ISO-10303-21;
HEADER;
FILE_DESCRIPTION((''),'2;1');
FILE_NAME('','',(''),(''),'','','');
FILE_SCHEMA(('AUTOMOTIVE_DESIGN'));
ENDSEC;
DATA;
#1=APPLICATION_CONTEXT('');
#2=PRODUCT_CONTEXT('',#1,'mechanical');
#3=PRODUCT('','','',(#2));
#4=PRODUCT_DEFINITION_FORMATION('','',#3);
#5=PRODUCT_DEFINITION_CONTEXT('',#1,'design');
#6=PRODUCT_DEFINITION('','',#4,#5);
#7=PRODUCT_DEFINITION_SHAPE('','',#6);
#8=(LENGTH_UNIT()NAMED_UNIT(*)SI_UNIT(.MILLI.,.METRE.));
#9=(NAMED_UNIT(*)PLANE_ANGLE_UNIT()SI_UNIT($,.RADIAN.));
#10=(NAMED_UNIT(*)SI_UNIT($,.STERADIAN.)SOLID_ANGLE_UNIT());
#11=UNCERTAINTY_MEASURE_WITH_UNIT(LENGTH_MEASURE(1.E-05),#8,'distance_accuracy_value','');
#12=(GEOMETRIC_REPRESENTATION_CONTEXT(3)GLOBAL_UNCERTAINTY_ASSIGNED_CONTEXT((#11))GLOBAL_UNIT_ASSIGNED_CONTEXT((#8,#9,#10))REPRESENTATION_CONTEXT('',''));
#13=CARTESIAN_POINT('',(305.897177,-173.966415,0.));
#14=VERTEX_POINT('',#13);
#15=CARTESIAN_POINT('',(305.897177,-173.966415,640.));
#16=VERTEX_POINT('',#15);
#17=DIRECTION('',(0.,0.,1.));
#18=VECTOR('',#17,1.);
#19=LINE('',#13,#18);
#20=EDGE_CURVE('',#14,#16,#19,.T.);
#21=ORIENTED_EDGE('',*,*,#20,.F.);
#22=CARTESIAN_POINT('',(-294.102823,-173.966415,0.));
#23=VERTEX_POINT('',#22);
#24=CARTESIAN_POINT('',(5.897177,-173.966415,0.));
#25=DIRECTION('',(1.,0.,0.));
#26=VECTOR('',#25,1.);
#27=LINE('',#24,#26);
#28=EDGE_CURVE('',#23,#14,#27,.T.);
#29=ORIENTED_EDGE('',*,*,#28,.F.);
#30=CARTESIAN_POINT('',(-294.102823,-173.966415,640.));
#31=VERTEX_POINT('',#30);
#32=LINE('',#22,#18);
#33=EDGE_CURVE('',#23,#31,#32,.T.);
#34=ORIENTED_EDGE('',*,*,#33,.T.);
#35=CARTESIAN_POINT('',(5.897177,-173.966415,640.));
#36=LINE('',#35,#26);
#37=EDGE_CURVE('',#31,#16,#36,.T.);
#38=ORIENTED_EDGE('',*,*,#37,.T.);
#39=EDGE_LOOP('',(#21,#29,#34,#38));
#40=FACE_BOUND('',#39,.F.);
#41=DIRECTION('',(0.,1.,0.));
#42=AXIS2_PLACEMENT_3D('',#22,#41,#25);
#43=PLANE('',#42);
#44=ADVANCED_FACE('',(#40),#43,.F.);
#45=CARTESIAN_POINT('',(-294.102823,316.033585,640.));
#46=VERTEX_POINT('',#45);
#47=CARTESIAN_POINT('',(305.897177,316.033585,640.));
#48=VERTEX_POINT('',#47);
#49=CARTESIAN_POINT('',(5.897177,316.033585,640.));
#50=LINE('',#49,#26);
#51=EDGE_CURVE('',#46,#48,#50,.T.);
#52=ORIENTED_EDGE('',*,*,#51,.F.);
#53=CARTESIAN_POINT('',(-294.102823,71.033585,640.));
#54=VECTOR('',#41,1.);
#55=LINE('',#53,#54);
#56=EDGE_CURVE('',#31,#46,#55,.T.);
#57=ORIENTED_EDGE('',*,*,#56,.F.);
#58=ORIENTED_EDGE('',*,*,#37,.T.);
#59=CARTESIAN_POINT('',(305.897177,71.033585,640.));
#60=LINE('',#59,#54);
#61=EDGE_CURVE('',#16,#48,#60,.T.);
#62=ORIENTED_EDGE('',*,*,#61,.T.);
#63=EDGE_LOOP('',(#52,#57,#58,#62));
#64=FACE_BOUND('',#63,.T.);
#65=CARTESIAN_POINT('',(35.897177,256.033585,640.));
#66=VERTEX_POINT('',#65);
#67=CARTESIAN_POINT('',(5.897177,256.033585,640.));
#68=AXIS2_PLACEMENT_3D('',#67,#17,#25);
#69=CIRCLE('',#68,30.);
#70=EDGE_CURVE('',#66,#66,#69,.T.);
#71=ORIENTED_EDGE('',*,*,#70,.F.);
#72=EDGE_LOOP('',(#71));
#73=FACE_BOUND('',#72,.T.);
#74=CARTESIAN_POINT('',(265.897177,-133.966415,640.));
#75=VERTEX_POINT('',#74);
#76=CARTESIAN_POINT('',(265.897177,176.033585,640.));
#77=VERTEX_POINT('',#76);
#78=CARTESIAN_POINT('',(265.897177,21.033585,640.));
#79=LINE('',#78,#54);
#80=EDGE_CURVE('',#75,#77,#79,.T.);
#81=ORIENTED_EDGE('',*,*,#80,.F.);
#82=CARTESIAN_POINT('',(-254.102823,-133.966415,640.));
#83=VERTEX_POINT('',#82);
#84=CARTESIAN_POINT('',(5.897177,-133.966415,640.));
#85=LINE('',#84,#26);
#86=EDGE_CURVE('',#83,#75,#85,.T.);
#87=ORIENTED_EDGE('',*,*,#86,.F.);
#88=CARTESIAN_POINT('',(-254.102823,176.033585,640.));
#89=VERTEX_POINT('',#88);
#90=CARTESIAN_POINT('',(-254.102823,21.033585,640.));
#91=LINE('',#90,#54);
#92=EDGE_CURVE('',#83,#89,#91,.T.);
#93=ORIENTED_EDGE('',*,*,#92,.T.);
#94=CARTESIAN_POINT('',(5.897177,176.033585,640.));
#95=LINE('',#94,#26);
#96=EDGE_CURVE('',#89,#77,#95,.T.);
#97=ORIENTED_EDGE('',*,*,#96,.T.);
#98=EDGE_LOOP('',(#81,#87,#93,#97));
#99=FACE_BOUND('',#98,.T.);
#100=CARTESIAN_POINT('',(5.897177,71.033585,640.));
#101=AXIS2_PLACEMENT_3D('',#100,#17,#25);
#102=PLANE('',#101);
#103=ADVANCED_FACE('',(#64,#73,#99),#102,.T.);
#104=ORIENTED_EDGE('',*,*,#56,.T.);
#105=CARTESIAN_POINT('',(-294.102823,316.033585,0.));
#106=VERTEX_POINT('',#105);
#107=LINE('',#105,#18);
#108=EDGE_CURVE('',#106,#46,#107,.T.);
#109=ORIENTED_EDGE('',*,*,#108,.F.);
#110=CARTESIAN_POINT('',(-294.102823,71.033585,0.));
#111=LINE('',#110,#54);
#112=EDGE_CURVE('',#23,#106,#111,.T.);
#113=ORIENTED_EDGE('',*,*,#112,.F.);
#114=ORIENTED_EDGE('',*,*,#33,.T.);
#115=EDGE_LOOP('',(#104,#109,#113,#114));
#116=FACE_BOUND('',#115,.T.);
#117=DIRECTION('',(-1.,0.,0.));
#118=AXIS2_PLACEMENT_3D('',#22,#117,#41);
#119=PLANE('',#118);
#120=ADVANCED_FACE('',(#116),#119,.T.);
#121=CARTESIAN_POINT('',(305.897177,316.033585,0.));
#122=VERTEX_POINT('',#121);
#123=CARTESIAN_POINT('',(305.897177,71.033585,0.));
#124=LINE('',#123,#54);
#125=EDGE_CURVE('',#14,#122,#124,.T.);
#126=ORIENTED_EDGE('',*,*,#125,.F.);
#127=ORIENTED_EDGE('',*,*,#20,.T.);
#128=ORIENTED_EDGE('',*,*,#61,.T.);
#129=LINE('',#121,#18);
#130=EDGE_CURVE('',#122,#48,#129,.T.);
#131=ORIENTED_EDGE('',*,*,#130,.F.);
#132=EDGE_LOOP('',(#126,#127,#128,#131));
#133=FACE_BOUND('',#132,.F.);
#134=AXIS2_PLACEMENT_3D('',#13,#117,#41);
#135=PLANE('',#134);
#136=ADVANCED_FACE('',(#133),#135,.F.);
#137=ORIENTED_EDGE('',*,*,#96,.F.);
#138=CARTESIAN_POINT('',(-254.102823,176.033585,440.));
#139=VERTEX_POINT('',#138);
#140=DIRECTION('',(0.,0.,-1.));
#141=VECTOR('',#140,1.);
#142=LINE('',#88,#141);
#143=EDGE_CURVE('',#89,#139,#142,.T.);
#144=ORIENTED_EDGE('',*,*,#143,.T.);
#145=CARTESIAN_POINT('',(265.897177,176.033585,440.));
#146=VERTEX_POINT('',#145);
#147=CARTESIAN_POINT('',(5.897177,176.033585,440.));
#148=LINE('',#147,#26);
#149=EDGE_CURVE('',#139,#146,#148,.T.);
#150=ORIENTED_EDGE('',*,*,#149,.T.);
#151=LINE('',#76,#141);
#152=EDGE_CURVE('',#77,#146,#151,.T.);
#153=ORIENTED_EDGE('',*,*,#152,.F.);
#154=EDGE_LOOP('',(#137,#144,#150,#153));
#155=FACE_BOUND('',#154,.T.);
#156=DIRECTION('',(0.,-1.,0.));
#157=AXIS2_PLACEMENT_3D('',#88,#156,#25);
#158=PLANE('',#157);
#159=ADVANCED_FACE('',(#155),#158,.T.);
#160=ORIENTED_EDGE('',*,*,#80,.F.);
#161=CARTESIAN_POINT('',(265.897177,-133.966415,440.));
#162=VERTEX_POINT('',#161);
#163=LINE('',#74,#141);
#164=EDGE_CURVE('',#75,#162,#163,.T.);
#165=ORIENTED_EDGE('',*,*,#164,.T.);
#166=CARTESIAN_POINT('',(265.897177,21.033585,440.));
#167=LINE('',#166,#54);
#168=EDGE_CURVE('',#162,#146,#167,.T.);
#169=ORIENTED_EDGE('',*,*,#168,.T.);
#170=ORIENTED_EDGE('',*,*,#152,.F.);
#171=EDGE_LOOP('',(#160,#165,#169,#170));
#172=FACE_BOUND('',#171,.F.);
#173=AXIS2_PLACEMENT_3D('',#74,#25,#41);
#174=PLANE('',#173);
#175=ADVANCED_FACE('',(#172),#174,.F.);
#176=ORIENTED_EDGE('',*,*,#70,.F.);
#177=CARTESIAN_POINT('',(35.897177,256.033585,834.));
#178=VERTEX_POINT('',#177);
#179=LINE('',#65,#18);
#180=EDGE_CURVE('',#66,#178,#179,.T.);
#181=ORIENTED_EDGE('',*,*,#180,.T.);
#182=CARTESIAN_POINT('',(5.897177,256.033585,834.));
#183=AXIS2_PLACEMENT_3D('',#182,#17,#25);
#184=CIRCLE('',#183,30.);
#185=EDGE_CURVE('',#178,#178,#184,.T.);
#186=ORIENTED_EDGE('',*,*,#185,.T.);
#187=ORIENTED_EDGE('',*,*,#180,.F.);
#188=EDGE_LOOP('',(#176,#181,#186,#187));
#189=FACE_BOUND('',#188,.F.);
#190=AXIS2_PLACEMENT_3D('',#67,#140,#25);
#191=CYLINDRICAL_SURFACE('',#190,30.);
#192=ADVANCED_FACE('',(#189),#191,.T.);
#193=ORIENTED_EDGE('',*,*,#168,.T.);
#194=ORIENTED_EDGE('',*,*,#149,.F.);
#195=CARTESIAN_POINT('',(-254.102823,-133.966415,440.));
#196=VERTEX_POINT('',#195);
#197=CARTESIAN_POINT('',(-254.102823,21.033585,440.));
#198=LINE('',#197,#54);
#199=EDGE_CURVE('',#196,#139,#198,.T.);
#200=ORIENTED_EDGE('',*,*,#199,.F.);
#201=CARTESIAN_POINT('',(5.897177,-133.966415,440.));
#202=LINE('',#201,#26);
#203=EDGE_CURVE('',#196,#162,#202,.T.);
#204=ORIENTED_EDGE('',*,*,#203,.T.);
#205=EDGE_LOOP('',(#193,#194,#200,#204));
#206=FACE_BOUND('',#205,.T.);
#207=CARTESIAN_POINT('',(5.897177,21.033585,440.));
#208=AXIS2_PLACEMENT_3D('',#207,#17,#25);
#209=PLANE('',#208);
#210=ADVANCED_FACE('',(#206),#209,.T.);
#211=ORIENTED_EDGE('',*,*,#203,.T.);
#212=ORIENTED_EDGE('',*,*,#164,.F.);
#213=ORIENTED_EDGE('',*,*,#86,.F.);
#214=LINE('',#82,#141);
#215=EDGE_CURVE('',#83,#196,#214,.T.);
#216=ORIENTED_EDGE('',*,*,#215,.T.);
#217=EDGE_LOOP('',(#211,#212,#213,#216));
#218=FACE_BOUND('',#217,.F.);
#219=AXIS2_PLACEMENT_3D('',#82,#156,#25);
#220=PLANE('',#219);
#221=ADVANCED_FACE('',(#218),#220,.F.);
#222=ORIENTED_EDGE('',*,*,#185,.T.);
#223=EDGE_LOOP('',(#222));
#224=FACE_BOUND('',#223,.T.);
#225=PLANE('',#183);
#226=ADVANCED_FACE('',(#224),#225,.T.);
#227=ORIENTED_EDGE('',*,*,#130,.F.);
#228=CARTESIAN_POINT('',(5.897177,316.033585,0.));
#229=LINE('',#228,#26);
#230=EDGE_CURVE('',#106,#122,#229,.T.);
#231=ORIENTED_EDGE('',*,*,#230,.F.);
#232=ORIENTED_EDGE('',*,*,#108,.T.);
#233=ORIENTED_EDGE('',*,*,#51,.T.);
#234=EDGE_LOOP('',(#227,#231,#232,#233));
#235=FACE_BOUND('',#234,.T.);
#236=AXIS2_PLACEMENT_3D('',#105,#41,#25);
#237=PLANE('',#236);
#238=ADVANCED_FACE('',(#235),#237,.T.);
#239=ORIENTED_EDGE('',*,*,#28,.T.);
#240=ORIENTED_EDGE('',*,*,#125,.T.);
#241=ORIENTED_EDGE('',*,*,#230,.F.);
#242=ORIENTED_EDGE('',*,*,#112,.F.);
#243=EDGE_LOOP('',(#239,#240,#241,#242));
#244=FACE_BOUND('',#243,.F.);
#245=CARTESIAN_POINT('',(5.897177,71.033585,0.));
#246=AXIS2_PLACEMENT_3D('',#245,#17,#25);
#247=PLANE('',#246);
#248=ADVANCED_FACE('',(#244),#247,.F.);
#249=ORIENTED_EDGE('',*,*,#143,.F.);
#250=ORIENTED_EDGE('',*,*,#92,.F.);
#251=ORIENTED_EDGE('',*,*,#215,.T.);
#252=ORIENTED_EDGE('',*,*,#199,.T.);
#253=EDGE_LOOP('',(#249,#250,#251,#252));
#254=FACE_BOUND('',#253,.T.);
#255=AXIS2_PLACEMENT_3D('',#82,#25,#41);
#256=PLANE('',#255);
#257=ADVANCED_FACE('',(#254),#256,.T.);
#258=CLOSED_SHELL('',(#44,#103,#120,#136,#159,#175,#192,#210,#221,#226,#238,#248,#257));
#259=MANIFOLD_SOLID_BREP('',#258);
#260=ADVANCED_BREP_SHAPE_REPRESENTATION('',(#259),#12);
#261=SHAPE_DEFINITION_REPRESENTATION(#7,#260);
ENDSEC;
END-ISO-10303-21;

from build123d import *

# Parameters (mm, degrees)
F0_W     = 600
F0_H     = 490
F1_DEPTH = 640
F2_W     = 520
F2_H     = 310
F3_DEPTH = 200
F4_R     = 30
F5_DEPTH = 194


with BuildPart() as f1:
    # F0 (on Top) → F1 (new body)
    with BuildSketch(Plane.XY):
        with Locations((5.897177, 71.033585)):
            Rectangle(F0_W, F0_H)
    extrude(amount=F1_DEPTH)

    # F2 (on face) → F3 (cut)
    with BuildSketch(Plane.XY.offset(640)):
        with Locations((5.897177, 21.033585)):
            Rectangle(F2_W, F2_H)
    extrude(amount=-F3_DEPTH, mode=Mode.SUBTRACT)

    # F4 (on face) → F5 (join)
    with BuildSketch(Plane.XY.offset(640)):
        with Locations((5.897177, 256.033585)):
            Circle(F4_R)
    extrude(amount=F5_DEPTH)


solid = f1.part
